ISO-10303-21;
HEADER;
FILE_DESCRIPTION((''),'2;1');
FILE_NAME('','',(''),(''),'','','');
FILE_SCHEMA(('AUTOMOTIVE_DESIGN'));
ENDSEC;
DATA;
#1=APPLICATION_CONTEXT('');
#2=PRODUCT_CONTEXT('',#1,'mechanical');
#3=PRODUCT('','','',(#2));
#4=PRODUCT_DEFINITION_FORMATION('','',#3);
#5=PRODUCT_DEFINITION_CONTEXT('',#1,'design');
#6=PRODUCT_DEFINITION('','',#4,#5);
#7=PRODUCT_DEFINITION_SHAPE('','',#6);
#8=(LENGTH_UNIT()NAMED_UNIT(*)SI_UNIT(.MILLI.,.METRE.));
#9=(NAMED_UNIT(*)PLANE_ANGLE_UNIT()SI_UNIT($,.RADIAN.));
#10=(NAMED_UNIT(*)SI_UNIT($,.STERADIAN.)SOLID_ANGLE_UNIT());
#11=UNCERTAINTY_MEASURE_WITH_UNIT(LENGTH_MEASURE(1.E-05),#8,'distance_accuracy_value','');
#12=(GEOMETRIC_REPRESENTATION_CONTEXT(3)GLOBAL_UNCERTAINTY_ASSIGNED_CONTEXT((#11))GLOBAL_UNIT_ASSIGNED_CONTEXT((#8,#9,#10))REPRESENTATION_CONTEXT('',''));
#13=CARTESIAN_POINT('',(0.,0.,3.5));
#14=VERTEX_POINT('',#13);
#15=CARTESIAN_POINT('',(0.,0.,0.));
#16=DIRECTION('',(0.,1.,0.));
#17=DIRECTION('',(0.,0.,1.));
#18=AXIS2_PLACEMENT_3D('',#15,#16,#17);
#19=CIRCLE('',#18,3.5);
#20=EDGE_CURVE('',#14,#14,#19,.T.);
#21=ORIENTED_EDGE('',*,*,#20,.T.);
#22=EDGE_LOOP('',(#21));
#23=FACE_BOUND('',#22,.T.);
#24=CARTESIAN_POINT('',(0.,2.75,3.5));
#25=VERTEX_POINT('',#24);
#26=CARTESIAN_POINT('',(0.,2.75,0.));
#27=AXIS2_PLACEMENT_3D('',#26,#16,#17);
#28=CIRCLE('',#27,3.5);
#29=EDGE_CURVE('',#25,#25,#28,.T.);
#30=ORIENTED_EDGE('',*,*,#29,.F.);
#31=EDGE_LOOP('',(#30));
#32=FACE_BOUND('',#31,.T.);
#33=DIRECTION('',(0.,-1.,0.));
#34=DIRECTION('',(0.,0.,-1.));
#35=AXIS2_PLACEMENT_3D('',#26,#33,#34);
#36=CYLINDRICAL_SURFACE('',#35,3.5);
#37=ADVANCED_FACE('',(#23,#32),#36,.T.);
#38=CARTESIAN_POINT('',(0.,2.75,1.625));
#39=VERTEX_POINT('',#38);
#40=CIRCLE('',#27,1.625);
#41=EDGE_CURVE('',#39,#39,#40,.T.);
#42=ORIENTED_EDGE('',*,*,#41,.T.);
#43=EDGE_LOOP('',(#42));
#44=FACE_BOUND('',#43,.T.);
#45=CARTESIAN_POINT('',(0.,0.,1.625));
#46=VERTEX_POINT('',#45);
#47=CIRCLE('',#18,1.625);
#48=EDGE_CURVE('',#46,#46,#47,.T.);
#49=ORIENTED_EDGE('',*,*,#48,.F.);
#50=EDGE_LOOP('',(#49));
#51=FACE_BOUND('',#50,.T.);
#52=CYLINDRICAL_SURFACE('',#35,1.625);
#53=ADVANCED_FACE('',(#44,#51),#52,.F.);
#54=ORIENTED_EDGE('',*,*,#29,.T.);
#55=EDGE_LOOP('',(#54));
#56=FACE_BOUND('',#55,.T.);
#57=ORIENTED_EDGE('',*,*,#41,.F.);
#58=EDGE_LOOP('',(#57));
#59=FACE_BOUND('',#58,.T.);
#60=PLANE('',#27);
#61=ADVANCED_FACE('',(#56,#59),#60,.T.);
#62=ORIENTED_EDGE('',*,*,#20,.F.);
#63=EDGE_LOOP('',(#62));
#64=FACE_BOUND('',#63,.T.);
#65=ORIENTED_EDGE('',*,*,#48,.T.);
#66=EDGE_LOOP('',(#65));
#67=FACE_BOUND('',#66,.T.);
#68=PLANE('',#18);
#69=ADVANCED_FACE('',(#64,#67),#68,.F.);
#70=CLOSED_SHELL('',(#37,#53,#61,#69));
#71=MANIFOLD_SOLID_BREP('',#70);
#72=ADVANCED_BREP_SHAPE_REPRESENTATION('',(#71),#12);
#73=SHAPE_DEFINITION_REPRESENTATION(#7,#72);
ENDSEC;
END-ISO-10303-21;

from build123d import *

# Parameters (mm, degrees)
SKETCH1_R           = 3.5
SKETCH1_R_2         = 1.625
BOSS_EXTRUDE1_DEPTH = 2.75


with BuildPart() as part:
    # Sketch1 → Boss-Extrude1 (new body)
    with BuildSketch(Plane(origin=(0, 0, 0), x_dir=(1, 0, 0), z_dir=(0, 1, 0))):
        with Locations(Location((0, 0, 0), (0, 0, 270))):
            Circle(SKETCH1_R)
        with Locations(Location((0, 0, 0), (0, 0, 270))):
            Circle(SKETCH1_R_2, mode=Mode.SUBTRACT)
    extrude(amount=BOSS_EXTRUDE1_DEPTH)


solid = part.part
